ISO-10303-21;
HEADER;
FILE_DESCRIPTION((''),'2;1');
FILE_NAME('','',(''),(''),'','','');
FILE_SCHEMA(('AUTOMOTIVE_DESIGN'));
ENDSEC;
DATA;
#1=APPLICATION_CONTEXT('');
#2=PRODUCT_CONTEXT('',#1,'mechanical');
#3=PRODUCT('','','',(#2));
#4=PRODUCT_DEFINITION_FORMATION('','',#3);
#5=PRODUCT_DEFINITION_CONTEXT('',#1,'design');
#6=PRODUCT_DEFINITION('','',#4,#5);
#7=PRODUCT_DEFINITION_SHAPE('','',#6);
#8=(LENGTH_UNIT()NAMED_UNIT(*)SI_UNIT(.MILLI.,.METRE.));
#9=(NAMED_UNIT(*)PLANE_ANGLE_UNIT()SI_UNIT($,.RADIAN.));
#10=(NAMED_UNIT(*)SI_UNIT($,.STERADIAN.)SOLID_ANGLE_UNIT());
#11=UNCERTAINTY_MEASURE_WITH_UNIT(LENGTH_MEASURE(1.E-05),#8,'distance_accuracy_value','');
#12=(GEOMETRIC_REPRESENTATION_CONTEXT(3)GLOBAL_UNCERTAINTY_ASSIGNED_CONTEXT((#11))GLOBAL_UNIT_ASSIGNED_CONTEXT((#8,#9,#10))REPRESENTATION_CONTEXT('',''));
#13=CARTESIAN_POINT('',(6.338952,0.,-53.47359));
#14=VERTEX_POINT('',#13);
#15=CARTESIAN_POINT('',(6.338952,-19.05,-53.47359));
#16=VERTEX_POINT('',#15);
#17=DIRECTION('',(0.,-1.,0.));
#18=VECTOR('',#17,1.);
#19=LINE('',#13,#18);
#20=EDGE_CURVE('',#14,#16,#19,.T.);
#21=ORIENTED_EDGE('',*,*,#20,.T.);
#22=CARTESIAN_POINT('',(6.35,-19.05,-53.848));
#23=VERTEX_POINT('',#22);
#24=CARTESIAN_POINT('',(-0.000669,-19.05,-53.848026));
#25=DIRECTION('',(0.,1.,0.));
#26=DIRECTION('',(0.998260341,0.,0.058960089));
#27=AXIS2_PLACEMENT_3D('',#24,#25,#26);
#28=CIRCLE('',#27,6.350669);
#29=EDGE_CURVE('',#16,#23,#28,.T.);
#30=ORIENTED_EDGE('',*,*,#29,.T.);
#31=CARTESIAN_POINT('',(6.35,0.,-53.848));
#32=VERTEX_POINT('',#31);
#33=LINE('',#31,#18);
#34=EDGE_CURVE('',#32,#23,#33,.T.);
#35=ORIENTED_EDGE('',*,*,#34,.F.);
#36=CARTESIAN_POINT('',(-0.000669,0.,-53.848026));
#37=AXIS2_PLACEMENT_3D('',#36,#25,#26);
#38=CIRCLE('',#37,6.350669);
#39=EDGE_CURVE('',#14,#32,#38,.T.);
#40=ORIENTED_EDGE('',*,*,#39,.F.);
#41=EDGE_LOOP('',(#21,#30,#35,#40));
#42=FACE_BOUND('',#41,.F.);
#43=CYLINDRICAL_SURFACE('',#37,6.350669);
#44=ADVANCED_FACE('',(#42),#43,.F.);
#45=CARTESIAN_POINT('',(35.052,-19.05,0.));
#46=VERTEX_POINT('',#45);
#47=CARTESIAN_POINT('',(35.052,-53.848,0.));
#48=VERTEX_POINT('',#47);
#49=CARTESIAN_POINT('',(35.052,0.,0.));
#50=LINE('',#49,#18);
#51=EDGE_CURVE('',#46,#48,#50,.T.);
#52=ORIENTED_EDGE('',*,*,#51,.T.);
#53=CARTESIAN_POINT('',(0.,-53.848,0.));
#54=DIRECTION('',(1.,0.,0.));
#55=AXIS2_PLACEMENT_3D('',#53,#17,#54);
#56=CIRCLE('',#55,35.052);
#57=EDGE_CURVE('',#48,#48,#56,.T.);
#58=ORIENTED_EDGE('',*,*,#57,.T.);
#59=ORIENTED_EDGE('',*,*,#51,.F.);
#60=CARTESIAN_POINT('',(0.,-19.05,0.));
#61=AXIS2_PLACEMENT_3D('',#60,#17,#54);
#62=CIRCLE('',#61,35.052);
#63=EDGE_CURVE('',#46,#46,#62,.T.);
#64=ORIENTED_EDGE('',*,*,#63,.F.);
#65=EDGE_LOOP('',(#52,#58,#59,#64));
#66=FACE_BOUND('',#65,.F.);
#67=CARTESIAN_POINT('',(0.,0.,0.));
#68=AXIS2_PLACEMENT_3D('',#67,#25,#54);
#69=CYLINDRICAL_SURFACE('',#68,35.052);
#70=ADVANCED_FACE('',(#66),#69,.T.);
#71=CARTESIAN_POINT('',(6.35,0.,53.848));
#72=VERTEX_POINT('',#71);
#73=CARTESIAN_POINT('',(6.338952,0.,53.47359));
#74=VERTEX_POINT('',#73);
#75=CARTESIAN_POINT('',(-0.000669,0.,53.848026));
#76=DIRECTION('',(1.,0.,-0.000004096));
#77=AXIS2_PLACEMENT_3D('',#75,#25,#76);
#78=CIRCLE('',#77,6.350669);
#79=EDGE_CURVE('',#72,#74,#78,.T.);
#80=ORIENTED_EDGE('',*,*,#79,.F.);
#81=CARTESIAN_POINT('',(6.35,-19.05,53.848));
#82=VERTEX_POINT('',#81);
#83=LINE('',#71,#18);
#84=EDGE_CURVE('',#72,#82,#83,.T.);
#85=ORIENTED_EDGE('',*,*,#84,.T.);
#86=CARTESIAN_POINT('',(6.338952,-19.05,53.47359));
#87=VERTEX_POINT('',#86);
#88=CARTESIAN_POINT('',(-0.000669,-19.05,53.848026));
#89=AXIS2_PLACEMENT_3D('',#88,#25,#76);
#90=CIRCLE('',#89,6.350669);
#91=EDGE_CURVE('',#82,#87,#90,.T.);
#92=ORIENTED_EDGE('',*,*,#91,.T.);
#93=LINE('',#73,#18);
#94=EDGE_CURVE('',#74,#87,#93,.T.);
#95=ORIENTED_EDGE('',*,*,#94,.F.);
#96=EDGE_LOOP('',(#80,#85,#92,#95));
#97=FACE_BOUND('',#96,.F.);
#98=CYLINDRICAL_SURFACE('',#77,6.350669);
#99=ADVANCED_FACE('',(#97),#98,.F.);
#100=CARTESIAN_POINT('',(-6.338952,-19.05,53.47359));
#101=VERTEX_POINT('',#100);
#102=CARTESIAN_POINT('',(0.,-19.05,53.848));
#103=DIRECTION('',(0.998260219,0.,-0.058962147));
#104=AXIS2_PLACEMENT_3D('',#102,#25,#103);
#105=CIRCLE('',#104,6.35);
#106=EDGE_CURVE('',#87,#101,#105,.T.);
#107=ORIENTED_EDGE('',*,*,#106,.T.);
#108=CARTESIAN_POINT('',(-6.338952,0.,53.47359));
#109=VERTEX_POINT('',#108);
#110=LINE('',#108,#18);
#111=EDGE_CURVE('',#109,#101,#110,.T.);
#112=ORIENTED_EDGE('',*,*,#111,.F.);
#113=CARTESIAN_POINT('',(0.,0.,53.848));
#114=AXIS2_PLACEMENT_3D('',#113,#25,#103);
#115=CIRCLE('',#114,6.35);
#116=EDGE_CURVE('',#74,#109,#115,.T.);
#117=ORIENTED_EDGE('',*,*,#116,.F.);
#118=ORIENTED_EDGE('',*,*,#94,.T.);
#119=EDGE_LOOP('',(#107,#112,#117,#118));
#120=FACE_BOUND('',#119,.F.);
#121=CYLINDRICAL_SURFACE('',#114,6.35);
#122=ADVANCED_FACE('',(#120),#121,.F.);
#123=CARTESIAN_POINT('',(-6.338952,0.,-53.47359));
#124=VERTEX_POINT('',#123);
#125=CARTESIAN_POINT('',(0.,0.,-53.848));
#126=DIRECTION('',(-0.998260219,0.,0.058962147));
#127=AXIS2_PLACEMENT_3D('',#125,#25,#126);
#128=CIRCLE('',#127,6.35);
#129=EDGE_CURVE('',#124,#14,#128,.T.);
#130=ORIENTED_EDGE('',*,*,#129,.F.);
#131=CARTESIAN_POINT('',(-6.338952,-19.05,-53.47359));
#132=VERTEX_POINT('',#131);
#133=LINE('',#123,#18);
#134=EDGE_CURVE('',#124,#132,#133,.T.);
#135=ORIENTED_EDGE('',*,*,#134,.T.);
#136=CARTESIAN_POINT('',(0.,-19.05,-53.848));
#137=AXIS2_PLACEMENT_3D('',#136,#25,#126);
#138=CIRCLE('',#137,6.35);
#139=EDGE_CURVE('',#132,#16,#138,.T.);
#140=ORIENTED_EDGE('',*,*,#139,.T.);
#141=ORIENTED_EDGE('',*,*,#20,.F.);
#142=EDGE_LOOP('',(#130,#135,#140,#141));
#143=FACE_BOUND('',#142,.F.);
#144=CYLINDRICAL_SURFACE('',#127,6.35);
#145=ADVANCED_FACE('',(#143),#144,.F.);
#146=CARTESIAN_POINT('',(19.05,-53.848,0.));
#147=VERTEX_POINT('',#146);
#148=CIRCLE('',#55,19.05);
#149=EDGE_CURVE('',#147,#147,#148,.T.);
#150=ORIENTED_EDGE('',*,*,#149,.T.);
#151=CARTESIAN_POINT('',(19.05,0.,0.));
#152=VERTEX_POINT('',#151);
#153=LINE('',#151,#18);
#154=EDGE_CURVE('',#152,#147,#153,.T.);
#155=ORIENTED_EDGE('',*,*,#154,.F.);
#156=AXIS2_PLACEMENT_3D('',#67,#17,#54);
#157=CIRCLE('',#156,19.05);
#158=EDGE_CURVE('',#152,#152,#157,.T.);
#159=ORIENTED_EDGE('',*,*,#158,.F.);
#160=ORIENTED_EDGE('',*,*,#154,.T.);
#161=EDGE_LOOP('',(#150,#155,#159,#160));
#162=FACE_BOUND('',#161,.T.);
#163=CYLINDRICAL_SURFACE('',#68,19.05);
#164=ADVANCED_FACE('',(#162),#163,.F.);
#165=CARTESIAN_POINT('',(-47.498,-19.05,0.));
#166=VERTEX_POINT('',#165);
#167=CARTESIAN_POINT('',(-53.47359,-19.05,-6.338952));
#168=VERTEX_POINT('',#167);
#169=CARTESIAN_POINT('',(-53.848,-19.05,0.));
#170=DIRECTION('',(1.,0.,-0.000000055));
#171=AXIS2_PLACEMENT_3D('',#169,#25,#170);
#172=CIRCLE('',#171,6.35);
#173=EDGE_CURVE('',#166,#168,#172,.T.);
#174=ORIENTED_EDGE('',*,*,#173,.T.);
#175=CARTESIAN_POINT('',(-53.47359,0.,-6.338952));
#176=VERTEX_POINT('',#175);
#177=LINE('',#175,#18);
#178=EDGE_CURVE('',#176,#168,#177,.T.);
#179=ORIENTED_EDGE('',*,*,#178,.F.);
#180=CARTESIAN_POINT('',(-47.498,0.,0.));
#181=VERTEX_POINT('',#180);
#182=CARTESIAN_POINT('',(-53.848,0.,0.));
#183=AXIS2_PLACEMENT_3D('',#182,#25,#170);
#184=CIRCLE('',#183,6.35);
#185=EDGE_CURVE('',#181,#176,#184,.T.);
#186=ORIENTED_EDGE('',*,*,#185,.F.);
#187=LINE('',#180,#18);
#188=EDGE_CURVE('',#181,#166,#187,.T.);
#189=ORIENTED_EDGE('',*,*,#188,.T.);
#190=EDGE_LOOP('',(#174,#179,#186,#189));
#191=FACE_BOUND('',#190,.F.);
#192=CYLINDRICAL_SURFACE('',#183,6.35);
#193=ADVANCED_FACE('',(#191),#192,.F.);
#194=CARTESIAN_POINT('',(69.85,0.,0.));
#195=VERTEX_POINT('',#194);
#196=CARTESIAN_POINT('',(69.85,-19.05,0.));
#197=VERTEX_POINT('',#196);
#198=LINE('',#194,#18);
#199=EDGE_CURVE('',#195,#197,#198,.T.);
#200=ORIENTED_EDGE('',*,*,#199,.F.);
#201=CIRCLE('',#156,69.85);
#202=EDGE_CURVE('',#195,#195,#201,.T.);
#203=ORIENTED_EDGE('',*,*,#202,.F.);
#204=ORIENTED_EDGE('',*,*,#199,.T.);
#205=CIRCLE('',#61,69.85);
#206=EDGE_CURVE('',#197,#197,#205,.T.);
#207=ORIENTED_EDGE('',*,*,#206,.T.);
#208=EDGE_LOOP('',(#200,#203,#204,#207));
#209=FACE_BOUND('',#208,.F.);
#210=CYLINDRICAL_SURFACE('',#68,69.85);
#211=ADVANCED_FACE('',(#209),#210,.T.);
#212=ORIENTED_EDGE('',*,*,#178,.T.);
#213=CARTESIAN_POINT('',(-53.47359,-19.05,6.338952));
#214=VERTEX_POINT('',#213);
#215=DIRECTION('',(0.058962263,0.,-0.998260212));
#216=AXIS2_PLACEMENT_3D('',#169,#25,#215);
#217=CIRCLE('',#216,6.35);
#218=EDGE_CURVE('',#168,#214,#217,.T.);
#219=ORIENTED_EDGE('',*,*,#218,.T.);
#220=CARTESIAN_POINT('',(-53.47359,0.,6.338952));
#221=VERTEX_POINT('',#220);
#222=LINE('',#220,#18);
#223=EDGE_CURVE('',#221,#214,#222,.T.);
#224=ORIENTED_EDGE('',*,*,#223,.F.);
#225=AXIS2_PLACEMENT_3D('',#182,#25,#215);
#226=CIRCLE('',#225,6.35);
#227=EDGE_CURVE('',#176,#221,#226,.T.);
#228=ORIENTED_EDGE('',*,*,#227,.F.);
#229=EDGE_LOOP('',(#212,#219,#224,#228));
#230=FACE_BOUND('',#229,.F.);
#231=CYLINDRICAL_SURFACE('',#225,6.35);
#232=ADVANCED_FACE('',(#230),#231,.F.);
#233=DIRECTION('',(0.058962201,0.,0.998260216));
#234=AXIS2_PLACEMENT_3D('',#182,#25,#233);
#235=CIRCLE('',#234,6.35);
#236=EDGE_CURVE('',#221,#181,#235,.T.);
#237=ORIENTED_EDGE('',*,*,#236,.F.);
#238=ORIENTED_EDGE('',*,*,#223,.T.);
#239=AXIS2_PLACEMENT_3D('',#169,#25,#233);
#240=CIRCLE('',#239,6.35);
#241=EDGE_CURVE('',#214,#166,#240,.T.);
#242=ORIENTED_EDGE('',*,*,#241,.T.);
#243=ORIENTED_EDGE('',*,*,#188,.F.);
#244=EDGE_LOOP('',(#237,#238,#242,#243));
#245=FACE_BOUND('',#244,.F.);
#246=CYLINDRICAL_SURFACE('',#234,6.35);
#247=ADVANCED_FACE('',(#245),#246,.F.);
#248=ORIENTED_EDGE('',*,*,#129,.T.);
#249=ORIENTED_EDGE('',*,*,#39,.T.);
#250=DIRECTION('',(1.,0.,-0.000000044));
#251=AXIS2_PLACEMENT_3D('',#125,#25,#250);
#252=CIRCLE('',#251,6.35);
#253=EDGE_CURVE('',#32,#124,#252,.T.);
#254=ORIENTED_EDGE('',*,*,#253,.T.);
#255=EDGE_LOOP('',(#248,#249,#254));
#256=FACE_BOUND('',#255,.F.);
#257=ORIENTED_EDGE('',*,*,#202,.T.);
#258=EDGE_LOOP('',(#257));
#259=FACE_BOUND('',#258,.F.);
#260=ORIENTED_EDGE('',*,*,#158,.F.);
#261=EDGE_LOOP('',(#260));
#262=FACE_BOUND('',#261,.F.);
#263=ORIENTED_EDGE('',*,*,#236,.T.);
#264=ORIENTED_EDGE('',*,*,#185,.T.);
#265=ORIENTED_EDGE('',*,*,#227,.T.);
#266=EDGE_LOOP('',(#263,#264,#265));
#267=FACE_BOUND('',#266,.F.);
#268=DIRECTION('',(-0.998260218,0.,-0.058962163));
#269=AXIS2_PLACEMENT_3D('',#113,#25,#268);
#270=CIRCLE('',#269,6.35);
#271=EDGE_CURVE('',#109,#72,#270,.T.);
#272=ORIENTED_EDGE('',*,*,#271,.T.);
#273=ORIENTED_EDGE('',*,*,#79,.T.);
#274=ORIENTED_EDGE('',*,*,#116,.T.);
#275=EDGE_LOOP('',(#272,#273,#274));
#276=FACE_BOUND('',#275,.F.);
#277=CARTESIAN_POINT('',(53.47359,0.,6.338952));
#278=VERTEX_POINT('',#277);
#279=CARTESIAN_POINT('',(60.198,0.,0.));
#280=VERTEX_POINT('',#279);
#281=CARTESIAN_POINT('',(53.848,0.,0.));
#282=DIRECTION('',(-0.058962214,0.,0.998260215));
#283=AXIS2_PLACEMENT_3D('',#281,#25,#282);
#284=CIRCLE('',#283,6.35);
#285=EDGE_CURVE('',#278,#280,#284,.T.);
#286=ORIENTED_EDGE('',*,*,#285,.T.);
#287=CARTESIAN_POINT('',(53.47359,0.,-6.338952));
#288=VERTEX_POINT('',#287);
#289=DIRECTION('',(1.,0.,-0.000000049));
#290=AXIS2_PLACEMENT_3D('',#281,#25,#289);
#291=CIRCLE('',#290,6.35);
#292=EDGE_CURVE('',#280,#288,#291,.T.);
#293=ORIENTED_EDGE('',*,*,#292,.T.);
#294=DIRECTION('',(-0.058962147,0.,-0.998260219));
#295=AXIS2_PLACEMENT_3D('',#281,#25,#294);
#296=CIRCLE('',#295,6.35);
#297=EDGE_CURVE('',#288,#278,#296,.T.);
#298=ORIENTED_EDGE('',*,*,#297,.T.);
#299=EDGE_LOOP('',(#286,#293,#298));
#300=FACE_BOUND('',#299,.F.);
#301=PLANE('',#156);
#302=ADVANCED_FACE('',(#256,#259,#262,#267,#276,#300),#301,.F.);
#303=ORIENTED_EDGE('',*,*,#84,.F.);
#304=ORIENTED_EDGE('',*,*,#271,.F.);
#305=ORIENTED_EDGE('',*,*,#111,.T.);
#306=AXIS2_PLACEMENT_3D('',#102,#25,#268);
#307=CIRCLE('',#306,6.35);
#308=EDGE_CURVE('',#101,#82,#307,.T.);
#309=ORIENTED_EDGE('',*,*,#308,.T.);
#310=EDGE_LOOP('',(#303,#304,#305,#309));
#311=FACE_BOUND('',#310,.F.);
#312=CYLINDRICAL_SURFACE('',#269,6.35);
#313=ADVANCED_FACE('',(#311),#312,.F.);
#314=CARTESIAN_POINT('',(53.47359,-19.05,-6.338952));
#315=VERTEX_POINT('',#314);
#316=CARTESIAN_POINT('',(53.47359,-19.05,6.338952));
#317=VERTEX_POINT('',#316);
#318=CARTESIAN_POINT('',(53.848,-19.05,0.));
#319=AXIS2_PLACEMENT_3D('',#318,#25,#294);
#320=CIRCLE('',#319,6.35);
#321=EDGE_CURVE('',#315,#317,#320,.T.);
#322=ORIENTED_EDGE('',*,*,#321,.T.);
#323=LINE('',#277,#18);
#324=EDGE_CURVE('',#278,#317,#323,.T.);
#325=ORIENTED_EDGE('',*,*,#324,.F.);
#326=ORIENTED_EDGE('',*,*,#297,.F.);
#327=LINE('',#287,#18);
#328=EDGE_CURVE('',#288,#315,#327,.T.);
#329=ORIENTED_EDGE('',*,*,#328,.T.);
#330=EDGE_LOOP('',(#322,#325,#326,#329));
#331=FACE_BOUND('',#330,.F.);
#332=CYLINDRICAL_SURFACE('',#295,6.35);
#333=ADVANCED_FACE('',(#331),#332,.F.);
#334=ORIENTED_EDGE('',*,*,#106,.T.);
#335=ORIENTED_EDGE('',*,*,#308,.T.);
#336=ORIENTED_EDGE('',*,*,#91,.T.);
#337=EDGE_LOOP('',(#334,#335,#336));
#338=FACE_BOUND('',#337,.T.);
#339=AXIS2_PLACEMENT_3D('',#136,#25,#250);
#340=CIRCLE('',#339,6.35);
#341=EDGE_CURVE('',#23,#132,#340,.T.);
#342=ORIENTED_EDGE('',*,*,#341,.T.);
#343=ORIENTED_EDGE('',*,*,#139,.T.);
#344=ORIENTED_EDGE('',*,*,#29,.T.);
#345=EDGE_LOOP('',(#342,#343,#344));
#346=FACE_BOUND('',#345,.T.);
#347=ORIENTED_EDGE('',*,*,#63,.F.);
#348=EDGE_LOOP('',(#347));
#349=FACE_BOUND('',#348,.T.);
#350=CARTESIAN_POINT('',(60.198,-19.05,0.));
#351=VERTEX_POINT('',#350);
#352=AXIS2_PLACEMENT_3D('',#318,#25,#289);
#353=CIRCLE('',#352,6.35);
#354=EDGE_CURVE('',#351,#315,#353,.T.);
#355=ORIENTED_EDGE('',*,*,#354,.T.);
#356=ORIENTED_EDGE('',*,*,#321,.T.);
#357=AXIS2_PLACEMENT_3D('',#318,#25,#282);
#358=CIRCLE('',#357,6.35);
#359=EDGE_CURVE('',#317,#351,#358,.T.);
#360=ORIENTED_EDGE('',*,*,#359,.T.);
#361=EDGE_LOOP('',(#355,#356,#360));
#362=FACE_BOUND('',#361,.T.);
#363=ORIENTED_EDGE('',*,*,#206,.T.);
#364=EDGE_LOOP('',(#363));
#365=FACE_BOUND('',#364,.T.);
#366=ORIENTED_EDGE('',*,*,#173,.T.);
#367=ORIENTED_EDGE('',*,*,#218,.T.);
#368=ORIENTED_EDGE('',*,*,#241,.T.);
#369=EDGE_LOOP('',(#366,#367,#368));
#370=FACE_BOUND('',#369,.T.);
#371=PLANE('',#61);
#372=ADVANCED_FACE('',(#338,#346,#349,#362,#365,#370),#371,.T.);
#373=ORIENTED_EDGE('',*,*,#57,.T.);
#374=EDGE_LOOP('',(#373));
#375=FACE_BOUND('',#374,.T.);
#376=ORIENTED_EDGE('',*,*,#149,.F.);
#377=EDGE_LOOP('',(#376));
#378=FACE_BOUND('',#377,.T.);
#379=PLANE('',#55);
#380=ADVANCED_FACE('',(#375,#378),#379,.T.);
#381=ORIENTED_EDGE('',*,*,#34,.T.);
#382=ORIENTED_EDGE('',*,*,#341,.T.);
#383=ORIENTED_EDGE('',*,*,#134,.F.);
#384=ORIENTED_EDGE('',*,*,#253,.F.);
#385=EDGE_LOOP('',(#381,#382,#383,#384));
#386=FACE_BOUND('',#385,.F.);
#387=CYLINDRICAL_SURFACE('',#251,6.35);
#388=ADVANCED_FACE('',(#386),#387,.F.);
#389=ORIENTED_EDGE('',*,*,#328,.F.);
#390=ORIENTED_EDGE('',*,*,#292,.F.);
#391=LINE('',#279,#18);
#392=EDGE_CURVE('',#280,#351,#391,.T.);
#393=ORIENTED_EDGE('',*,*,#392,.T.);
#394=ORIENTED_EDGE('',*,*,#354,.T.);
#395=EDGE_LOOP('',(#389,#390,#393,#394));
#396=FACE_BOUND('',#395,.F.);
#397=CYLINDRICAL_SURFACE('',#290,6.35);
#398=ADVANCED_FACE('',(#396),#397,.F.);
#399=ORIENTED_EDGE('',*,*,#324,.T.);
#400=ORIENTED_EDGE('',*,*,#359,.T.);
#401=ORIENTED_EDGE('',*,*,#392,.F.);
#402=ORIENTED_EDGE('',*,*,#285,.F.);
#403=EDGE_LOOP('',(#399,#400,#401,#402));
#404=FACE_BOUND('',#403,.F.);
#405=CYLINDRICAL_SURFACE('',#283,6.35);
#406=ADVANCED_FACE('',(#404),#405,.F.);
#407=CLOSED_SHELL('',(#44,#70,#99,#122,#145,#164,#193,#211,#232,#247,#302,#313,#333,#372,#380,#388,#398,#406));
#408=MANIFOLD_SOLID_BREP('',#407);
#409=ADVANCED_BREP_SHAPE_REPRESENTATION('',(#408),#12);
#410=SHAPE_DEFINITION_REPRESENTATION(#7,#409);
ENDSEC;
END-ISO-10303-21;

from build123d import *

# Parameters (mm, degrees)
F0_R     = 35.052
F0_R_2   = 19.05
F1_DEPTH = 53.848
F0_R_3   = 69.85
F2_DEPTH = 19.05


with BuildPart() as f1:
    # F0 (on Front) → F1 (new body)
    with BuildSketch(Plane.XZ):
        Circle(F0_R)
        Circle(F0_R_2, mode=Mode.SUBTRACT)
    extrude(amount=F1_DEPTH)

    # F0 (on Front) → F2 (join)
    with BuildSketch(Plane.XZ):
        Circle(F0_R_3)
        with BuildLine():
            ThreePointArc((6.338952, 53.47359), (38.076286, 38.076286), (53.47359, 6.338952))
            ThreePointArc((53.47359, 6.338952), (58.203743, 4.620606), (60.198, 0))
            ThreePointArc((60.198, 0), (58.203743, -4.620606), (53.47359, -6.338952))
            ThreePointArc((53.47359, -6.338952), (38.076286, -38.076286), (6.338952, -53.47359))
            ThreePointArc((6.338952, -53.47359), (6.347237, -53.660713), (6.35, -53.848))
            ThreePointArc((6.35, -53.848), (-0.187287, -60.195237), (-6.338952, -53.47359))
            ThreePointArc((-6.338952, -53.47359), (-38.076286, -38.076286), (-53.47359, -6.338952))
            ThreePointArc((-53.47359, -6.338952), (-60.198, 0), (-53.47359, 6.338952))
            ThreePointArc((-53.47359, 6.338952), (-38.076286, 38.076286), (-6.338952, 53.47359))
            ThreePointArc((-6.338952, 53.47359), (-0.187287, 60.195237), (6.35, 53.848))
            ThreePointArc((6.35, 53.848), (6.347237, 53.660713), (6.338952, 53.47359))
        make_face(mode=Mode.SUBTRACT)
        with BuildLine():
            ThreePointArc((53.47359, -6.338952), (47.498, 0), (53.47359, 6.338952))
            ThreePointArc((53.47359, 6.338952), (38.076286, 38.076286), (6.338952, 53.47359))
            ThreePointArc((6.338952, 53.47359), (0, 47.498), (-6.338952, 53.47359))
            ThreePointArc((-6.338952, 53.47359), (-38.076286, 38.076286), (-53.47359, 6.338952))
            ThreePointArc((-53.47359, 6.338952), (-49.227394, 4.355743), (-47.498, 0))
            ThreePointArc((-47.498, 0), (-49.227394, -4.355743), (-53.47359, -6.338952))
            ThreePointArc((-53.47359, -6.338952), (-38.076286, -38.076286), (-6.338952, -53.47359))
            ThreePointArc((-6.338952, -53.47359), (0, -47.498), (6.338952, -53.47359))
            ThreePointArc((6.338952, -53.47359), (38.076286, -38.076286), (53.47359, -6.338952))
        make_face()
        Circle(F0_R, mode=Mode.SUBTRACT)
    extrude(amount=F2_DEPTH)


solid = f1.part
